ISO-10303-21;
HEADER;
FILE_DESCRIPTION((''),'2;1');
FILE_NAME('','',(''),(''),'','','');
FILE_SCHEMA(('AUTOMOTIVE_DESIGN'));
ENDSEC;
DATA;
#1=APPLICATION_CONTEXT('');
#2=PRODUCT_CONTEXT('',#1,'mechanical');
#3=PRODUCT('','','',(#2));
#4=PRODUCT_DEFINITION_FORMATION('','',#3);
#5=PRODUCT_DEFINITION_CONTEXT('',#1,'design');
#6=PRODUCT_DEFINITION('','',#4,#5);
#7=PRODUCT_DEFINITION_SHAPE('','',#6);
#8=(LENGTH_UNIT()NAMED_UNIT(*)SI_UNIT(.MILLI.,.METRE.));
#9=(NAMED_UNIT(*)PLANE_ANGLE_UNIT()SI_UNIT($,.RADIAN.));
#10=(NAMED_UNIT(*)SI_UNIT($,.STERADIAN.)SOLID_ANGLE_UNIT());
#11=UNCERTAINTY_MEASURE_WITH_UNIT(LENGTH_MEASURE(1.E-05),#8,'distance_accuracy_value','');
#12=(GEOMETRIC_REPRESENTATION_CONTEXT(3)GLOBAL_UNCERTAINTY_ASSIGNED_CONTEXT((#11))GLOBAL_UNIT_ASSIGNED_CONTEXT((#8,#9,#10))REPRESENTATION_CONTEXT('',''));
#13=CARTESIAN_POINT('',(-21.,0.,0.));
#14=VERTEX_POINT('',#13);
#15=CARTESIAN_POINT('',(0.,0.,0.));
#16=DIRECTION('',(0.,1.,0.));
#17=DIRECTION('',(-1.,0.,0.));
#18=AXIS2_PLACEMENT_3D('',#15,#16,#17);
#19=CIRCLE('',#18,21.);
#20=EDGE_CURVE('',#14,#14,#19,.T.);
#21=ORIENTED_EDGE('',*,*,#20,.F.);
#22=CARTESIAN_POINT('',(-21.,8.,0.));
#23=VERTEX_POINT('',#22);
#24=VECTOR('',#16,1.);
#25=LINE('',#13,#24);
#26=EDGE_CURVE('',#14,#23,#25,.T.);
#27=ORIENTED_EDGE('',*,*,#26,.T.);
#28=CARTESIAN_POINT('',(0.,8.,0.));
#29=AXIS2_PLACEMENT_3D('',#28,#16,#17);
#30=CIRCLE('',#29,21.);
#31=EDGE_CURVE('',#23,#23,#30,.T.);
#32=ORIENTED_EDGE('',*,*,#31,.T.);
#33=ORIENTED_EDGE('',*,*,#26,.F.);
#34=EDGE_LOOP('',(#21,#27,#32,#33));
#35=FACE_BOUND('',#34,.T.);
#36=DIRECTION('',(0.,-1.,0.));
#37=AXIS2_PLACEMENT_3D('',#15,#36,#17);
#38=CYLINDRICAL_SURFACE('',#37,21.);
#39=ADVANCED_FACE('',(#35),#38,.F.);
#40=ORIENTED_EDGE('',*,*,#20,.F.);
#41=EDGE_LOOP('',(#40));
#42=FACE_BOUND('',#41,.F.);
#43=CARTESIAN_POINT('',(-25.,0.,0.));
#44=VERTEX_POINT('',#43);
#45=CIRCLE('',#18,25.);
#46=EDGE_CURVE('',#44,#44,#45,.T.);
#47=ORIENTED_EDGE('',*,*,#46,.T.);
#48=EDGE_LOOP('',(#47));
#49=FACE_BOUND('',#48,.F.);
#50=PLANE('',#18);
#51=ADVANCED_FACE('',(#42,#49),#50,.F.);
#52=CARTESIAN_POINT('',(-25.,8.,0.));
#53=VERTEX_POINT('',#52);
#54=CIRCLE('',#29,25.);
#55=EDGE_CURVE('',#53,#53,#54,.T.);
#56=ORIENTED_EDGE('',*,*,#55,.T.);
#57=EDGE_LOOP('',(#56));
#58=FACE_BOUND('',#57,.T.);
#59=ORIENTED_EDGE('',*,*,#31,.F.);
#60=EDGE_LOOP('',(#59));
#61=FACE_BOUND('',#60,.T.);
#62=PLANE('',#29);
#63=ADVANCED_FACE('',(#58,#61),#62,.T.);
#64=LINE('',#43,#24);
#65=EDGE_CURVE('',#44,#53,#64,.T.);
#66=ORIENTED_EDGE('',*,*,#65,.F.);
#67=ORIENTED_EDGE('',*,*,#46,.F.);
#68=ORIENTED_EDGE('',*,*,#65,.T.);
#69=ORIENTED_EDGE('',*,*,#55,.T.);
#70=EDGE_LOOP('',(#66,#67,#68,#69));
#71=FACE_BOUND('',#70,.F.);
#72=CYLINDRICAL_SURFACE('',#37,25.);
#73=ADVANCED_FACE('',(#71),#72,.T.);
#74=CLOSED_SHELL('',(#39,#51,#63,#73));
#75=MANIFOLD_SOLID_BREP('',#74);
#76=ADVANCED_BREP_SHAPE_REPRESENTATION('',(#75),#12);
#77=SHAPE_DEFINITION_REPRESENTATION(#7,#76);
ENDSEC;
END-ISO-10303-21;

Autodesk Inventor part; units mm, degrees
ref_plane "YZ Plane" through (0, 0, 0) normal (1, 0, 0) x (0, 1, 0)
ref_plane "XZ Plane" through (0, 0, 0) normal (0, 1, 0) x (-1, 0, 0)
ref_plane "XY Plane" through (0, 0, 0) normal (0, 0, 1) x (1, 0, 0)
sketch "Sketch1" plane through (0, 0, 0) normal (0, 1, 0) x (-1, 0, 0)
  circle A0 centre (0, 0) radius 21
  circle A1 centre (0, 0) radius 25
  dimension "d0" = 42
  dimension "d1" = 50
extrude "Extrusion1" add sketch "Sketch1" along normal blind 8
properties part number "Pierścień dystansujący"
